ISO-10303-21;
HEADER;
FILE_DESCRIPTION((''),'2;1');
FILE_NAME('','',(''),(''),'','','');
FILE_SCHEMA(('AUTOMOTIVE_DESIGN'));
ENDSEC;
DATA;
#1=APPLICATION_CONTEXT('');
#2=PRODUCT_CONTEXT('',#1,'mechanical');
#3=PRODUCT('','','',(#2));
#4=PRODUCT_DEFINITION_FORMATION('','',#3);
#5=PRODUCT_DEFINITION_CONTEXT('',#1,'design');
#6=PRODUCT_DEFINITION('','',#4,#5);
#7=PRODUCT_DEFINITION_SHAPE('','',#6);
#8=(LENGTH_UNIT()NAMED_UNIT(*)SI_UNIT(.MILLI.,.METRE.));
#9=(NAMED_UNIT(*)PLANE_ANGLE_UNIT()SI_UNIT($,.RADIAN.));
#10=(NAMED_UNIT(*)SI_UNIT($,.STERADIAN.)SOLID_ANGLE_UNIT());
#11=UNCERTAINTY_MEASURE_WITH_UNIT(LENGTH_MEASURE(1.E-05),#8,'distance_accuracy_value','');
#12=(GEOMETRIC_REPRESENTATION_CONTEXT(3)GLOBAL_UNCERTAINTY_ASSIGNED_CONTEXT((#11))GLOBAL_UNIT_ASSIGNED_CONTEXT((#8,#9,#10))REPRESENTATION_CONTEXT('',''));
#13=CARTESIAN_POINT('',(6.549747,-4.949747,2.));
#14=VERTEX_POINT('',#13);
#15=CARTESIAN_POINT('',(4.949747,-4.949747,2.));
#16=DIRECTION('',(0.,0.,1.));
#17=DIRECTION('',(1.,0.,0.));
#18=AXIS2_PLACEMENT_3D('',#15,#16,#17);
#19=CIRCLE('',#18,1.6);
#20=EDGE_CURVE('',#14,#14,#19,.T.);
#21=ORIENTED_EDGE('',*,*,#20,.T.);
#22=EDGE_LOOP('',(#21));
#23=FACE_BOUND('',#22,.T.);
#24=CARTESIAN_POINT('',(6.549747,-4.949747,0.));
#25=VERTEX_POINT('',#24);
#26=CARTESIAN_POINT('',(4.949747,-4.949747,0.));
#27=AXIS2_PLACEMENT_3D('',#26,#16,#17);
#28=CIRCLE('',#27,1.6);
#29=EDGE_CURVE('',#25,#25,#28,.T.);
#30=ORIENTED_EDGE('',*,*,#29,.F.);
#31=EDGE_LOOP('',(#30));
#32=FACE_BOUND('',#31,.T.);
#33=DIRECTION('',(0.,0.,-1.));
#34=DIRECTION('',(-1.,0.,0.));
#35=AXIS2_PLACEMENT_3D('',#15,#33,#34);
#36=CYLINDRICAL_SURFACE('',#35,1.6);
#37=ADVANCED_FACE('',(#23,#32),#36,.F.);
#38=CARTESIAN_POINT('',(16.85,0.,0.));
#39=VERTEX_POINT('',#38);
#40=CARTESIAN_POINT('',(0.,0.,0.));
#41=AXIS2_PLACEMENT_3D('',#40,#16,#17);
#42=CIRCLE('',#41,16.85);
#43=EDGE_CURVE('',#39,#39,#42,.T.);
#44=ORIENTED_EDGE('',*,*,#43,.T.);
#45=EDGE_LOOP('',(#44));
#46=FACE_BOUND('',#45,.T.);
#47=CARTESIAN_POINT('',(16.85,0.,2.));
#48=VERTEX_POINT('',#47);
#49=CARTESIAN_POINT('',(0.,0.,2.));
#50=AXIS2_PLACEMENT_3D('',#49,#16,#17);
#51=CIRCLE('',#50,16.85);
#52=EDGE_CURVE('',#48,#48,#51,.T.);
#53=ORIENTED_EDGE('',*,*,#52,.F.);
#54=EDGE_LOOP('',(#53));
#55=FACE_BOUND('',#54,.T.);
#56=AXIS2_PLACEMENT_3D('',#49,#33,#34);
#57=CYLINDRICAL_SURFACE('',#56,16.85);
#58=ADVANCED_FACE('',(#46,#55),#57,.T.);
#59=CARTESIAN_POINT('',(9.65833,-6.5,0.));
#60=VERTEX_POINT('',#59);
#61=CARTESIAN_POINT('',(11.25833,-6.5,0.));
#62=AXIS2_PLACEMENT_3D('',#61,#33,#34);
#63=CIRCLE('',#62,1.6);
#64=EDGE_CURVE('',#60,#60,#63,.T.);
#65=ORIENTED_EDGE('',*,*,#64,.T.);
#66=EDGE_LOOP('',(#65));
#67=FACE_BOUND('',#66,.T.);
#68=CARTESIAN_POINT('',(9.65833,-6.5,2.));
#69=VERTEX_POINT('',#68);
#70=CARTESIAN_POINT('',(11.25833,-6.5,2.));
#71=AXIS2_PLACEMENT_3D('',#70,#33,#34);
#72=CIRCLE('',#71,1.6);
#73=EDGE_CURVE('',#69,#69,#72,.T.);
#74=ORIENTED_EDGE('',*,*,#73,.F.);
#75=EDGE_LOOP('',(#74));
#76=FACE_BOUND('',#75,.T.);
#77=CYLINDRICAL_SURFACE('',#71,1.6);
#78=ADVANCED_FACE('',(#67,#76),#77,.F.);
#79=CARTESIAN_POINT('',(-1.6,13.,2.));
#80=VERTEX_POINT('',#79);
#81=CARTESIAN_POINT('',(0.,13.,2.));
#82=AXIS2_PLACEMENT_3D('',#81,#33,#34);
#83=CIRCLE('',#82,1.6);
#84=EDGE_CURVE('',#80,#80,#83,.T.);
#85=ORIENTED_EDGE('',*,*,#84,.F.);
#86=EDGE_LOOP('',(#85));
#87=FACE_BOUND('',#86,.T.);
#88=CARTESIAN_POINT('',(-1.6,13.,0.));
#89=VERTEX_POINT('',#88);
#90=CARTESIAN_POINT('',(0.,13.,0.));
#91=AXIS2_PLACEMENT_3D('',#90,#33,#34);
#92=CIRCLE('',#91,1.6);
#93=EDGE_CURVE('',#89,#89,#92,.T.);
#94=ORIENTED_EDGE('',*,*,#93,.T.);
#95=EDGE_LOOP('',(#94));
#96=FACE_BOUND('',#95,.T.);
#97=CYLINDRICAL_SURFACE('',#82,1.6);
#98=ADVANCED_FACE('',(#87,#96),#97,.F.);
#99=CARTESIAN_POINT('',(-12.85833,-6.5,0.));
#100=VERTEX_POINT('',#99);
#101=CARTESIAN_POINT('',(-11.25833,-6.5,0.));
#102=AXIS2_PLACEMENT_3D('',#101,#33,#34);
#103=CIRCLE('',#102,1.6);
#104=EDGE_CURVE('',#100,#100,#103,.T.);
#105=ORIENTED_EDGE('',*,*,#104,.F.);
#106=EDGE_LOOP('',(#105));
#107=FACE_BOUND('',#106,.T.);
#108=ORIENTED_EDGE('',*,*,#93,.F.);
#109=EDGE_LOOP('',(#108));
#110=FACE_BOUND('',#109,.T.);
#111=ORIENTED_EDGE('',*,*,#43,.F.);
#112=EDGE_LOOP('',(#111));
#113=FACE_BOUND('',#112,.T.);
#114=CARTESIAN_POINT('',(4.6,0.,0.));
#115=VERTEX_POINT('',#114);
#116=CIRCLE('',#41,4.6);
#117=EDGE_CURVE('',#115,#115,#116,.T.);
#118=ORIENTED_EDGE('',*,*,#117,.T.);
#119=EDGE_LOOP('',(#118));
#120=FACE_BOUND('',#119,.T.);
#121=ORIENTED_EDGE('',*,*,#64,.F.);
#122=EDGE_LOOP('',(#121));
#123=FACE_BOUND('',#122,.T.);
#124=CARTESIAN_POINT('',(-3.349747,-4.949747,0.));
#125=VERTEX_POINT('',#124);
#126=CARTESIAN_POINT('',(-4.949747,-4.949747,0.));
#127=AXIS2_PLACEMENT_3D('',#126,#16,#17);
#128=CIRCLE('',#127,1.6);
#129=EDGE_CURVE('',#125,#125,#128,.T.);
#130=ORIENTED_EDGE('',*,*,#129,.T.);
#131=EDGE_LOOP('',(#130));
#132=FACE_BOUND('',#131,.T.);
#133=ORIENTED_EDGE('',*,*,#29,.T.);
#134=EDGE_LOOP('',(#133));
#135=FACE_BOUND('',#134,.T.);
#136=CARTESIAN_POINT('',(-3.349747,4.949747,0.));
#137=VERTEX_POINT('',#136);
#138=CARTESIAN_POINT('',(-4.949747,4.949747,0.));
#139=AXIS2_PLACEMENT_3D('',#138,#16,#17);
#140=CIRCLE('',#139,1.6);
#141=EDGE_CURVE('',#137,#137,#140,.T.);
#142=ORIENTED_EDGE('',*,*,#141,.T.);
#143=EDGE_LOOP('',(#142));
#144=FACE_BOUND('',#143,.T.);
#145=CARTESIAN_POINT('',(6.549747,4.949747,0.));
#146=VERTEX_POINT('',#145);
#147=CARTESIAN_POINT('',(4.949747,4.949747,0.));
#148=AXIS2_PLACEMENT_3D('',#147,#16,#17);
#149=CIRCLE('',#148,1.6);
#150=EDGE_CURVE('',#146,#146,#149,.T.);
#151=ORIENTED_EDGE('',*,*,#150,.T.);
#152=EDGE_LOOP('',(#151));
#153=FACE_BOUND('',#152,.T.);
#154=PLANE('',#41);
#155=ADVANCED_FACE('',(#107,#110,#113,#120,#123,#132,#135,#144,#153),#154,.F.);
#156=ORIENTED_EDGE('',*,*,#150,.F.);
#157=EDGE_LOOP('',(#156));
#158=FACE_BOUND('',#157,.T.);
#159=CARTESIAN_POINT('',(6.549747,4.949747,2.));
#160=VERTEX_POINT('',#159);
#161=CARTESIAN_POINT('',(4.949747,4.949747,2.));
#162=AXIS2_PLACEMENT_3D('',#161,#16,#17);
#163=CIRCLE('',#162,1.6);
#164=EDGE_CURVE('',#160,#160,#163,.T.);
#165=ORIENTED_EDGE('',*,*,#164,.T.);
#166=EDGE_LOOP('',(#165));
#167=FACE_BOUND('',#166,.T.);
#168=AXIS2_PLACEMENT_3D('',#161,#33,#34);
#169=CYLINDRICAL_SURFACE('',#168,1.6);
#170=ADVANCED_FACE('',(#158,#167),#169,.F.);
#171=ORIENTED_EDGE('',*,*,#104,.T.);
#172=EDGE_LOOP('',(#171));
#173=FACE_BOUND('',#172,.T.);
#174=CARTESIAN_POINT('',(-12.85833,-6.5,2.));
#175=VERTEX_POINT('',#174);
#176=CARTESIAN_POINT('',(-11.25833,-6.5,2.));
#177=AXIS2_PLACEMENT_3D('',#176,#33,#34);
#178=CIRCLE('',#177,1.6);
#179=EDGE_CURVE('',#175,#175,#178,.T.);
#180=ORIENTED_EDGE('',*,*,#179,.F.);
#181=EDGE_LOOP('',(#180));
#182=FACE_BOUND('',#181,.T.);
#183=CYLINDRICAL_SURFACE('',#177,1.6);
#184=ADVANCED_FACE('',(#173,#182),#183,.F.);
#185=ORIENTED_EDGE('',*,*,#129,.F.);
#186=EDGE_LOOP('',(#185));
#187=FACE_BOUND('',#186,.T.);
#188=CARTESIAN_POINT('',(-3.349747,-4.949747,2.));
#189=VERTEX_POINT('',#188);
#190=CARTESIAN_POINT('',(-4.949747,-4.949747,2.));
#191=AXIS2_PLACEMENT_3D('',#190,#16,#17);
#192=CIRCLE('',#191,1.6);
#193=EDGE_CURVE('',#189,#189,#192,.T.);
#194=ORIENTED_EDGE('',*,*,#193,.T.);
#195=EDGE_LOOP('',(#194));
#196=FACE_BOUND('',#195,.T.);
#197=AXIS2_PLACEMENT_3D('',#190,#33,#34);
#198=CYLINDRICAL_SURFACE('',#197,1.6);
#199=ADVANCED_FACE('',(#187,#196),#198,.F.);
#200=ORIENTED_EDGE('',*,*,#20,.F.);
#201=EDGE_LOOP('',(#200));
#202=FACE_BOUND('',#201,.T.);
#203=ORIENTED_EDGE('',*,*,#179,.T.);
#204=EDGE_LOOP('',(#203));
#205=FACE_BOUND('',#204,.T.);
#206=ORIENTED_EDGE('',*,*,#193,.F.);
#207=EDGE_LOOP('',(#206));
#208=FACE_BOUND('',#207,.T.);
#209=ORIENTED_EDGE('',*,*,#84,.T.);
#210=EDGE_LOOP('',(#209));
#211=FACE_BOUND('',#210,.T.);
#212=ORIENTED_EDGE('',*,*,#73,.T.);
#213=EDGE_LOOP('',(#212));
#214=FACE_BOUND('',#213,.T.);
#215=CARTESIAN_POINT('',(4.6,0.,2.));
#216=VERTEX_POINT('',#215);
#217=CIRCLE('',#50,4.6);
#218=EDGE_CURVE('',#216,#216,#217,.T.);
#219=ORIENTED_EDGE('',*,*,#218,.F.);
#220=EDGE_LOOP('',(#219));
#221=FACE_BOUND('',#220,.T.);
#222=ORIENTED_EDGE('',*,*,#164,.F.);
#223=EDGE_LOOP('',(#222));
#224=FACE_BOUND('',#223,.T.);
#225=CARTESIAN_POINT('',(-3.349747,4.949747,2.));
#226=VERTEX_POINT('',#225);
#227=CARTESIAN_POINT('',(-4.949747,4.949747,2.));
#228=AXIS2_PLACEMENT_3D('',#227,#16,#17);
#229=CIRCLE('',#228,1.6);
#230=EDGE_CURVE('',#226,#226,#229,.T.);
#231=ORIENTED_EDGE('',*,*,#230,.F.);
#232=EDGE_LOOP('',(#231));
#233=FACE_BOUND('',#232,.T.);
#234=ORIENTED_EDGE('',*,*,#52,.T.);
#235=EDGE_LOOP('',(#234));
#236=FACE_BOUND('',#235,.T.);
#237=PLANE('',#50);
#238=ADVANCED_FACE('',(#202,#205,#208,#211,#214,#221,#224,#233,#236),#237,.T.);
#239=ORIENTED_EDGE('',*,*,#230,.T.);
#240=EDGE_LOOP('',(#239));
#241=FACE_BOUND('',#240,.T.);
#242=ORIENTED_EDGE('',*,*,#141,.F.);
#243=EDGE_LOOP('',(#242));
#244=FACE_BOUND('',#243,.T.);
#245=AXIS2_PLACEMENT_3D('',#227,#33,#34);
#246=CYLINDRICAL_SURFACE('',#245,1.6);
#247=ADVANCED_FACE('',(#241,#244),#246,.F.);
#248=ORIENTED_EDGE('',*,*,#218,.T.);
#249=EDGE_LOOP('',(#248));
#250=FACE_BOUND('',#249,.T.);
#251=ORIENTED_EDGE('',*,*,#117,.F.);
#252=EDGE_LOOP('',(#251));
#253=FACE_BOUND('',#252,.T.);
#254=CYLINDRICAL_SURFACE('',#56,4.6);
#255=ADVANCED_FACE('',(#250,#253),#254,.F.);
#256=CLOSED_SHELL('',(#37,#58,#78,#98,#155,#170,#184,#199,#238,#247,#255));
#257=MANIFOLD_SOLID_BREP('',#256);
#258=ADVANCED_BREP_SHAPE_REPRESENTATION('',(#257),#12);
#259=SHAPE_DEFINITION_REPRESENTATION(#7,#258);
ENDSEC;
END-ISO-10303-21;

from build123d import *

# Parameters (mm, degrees)
SKETCH_1_R          = 16.85
SKETCH_1_R_2        = 1.6
SKETCH_1_R_3        = 4.6
EXTRUDE_1_DEPTH     = 2
SKETCH_2_R          = 1.6
CUT_EXTRUDE_1_DEPTH = 3


with BuildPart() as part:
    # 草图1 → 凸台-拉伸1 (new body)
    with BuildSketch(Plane.XY):
        Circle(SKETCH_1_R)
        with Locations((-4.949747468, 4.949747468)):
            Circle(SKETCH_1_R_2, mode=Mode.SUBTRACT)
        with Locations((-4.949747468, -4.949747468)):
            Circle(SKETCH_1_R_2, mode=Mode.SUBTRACT)
        with Locations((4.949747468, -4.949747468)):
            Circle(SKETCH_1_R_2, mode=Mode.SUBTRACT)
        with Locations((4.949747468, 4.949747468)):
            Circle(SKETCH_1_R_2, mode=Mode.SUBTRACT)
        Circle(SKETCH_1_R_3, mode=Mode.SUBTRACT)
    extrude(amount=EXTRUDE_1_DEPTH)

    # 草图2 → 切除-拉伸1 (cut, through all)
    with BuildSketch(Plane(origin=(0, 0, 0), x_dir=(-1, 0, 0), z_dir=(0, 0, -1))):
        with BuildLine():
            ThreePointArc((0, 14.6), (-1.6, 13), (0, 11.4))
            Line((0, 11.4), (0, 14.6))
        make_face()
        with BuildLine():
            Line((0, 14.6), (0, 11.4))
            ThreePointArc((0, 11.4), (1.13137085, 11.86862915), (1.6, 13))
            ThreePointArc((1.6, 13), (1.13137085, 14.13137085), (0, 14.6))
        make_face()
        with Locations((-11.258330249, -6.5)):
            Circle(SKETCH_2_R)
        with Locations((11.258330249, -6.5)):
            Circle(SKETCH_2_R)
    extrude(amount=-CUT_EXTRUDE_1_DEPTH, mode=Mode.SUBTRACT)


solid = part.part
